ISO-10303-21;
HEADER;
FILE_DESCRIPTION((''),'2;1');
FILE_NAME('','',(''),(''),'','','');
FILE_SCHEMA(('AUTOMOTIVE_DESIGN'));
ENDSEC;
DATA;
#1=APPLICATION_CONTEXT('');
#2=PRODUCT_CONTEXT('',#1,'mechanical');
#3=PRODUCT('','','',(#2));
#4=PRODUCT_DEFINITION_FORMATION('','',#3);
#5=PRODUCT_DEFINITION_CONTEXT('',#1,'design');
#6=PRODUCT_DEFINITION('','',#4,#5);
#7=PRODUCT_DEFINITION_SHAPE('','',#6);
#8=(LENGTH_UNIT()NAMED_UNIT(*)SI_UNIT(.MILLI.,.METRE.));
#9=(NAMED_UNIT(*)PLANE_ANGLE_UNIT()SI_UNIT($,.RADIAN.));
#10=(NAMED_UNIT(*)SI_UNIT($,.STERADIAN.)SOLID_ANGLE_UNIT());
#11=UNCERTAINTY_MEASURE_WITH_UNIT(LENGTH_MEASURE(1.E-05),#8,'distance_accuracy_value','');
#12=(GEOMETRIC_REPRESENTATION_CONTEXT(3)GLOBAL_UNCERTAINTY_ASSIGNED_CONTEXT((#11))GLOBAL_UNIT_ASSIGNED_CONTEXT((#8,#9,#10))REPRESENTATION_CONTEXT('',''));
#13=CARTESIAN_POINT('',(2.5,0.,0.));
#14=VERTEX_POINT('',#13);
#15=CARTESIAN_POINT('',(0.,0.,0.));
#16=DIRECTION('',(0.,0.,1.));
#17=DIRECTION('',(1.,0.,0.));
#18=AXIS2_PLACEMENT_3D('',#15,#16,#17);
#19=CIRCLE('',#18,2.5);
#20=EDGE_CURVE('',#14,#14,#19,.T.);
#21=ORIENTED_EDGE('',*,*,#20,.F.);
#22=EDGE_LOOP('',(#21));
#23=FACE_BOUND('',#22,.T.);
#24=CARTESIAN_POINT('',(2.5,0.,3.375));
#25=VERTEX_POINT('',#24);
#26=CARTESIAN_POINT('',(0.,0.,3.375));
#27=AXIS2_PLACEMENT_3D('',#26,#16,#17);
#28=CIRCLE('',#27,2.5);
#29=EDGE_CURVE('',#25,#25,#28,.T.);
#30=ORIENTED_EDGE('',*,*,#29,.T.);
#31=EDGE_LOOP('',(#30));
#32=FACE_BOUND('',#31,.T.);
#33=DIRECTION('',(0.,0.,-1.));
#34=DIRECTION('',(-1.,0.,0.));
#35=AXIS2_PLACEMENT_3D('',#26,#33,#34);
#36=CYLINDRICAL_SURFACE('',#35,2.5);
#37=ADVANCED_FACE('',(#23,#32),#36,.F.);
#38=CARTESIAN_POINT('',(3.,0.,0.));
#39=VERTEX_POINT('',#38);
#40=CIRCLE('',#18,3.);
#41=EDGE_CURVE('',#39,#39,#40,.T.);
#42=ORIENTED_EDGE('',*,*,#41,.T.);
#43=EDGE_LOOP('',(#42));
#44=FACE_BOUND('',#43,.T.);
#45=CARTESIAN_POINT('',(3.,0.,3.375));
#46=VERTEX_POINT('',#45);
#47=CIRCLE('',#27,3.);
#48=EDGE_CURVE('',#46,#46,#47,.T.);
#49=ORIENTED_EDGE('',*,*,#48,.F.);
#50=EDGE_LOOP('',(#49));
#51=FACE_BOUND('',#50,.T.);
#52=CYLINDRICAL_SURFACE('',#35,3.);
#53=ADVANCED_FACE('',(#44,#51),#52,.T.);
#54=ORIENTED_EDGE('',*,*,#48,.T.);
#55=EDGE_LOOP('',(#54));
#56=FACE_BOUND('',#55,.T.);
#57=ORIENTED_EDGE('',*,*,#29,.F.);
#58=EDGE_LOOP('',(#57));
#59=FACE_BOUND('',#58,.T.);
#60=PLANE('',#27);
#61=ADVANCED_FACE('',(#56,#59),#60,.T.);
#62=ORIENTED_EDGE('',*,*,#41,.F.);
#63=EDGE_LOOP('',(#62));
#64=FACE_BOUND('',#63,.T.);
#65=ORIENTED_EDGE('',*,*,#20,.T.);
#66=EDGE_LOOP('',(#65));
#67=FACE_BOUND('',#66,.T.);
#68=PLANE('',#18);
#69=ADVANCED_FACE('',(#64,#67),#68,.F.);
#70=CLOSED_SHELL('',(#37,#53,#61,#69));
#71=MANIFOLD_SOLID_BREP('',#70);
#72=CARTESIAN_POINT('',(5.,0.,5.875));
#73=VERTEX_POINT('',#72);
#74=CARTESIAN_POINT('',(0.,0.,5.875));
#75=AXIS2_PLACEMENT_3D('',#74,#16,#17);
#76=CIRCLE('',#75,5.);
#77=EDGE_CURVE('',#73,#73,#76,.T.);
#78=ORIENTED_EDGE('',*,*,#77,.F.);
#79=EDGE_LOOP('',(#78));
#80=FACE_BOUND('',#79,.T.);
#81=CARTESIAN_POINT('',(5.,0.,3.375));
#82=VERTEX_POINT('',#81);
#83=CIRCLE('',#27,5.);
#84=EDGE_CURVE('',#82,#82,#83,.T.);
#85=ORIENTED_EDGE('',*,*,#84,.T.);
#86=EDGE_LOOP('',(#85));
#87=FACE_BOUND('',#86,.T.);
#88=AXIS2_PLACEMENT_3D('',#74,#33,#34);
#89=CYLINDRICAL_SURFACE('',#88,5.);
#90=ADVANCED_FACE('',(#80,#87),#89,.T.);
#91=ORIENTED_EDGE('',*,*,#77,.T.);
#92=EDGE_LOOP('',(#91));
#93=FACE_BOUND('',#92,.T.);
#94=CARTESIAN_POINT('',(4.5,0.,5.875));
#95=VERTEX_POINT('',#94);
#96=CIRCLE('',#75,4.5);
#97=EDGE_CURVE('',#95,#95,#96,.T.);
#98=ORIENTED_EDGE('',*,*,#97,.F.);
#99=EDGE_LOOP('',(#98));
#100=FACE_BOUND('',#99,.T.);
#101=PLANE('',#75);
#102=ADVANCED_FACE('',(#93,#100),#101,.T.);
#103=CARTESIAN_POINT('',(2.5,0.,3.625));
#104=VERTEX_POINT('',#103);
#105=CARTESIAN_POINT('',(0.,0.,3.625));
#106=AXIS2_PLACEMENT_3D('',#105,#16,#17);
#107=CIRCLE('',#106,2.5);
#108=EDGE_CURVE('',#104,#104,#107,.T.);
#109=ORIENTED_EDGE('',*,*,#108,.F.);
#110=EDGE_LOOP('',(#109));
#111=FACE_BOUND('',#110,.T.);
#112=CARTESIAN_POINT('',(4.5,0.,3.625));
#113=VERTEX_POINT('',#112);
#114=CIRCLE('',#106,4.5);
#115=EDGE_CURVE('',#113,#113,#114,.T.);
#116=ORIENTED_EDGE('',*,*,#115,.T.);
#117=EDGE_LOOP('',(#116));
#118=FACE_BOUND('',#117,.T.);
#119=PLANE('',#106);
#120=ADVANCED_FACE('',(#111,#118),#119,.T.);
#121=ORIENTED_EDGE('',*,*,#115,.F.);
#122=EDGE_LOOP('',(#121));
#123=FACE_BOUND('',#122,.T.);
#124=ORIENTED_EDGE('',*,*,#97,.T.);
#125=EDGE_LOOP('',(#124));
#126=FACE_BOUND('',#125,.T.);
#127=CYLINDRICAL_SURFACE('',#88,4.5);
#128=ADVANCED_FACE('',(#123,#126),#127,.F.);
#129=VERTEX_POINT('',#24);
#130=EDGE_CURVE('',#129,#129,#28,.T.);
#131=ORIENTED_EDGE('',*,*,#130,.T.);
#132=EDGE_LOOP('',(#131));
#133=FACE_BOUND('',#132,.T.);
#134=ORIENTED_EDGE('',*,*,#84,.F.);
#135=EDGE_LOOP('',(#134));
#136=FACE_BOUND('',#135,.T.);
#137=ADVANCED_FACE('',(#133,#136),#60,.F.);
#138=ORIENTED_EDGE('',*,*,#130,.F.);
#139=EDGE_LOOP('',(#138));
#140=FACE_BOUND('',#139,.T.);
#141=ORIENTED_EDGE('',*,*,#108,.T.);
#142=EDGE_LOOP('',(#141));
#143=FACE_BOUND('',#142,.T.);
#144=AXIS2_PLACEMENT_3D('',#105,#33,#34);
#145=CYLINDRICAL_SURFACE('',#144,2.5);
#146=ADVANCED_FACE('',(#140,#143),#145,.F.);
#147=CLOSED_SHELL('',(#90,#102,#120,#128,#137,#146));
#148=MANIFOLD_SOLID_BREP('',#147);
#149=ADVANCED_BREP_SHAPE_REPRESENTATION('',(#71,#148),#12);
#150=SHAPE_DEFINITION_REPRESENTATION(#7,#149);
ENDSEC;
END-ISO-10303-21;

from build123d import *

# Parameters (mm, degrees)
SKETCH1_R           = 3
SKETCH1_R_2         = 2.5
BOSS_EXTRUDE1_DEPTH = 3.375
SKETCH2_R           = 5
SKETCH2_R_2         = 4.5
BOSS_EXTRUDE2_DEPTH = 2.5
SKETCH4_R           = 4.5
SKETCH4_R_2         = 2.5
BOSS_EXTRUDE5_DEPTH = 0.25


with BuildPart() as part:
    # Sketch1 → Boss-Extrude1 (new body)
    with BuildSketch(Plane.XY):
        Circle(SKETCH1_R)
        Circle(SKETCH1_R_2, mode=Mode.SUBTRACT)
    extrude(amount=BOSS_EXTRUDE1_DEPTH)


with BuildPart() as body_2:
    # Sketch2 → Boss-Extrude2 (new body)
    with BuildSketch(Plane.XY.offset(3.375)):
        Circle(SKETCH2_R)
        Circle(SKETCH2_R_2, mode=Mode.SUBTRACT)
    extrude(amount=BOSS_EXTRUDE2_DEPTH)

    # Sketch4 → Boss-Extrude5 (add)
    with BuildSketch(Plane.XY.offset(3.375)):
        Circle(SKETCH4_R)
        Circle(SKETCH4_R_2, mode=Mode.SUBTRACT)
    extrude(amount=BOSS_EXTRUDE5_DEPTH)


solid = Compound([part.part, body_2.part])
